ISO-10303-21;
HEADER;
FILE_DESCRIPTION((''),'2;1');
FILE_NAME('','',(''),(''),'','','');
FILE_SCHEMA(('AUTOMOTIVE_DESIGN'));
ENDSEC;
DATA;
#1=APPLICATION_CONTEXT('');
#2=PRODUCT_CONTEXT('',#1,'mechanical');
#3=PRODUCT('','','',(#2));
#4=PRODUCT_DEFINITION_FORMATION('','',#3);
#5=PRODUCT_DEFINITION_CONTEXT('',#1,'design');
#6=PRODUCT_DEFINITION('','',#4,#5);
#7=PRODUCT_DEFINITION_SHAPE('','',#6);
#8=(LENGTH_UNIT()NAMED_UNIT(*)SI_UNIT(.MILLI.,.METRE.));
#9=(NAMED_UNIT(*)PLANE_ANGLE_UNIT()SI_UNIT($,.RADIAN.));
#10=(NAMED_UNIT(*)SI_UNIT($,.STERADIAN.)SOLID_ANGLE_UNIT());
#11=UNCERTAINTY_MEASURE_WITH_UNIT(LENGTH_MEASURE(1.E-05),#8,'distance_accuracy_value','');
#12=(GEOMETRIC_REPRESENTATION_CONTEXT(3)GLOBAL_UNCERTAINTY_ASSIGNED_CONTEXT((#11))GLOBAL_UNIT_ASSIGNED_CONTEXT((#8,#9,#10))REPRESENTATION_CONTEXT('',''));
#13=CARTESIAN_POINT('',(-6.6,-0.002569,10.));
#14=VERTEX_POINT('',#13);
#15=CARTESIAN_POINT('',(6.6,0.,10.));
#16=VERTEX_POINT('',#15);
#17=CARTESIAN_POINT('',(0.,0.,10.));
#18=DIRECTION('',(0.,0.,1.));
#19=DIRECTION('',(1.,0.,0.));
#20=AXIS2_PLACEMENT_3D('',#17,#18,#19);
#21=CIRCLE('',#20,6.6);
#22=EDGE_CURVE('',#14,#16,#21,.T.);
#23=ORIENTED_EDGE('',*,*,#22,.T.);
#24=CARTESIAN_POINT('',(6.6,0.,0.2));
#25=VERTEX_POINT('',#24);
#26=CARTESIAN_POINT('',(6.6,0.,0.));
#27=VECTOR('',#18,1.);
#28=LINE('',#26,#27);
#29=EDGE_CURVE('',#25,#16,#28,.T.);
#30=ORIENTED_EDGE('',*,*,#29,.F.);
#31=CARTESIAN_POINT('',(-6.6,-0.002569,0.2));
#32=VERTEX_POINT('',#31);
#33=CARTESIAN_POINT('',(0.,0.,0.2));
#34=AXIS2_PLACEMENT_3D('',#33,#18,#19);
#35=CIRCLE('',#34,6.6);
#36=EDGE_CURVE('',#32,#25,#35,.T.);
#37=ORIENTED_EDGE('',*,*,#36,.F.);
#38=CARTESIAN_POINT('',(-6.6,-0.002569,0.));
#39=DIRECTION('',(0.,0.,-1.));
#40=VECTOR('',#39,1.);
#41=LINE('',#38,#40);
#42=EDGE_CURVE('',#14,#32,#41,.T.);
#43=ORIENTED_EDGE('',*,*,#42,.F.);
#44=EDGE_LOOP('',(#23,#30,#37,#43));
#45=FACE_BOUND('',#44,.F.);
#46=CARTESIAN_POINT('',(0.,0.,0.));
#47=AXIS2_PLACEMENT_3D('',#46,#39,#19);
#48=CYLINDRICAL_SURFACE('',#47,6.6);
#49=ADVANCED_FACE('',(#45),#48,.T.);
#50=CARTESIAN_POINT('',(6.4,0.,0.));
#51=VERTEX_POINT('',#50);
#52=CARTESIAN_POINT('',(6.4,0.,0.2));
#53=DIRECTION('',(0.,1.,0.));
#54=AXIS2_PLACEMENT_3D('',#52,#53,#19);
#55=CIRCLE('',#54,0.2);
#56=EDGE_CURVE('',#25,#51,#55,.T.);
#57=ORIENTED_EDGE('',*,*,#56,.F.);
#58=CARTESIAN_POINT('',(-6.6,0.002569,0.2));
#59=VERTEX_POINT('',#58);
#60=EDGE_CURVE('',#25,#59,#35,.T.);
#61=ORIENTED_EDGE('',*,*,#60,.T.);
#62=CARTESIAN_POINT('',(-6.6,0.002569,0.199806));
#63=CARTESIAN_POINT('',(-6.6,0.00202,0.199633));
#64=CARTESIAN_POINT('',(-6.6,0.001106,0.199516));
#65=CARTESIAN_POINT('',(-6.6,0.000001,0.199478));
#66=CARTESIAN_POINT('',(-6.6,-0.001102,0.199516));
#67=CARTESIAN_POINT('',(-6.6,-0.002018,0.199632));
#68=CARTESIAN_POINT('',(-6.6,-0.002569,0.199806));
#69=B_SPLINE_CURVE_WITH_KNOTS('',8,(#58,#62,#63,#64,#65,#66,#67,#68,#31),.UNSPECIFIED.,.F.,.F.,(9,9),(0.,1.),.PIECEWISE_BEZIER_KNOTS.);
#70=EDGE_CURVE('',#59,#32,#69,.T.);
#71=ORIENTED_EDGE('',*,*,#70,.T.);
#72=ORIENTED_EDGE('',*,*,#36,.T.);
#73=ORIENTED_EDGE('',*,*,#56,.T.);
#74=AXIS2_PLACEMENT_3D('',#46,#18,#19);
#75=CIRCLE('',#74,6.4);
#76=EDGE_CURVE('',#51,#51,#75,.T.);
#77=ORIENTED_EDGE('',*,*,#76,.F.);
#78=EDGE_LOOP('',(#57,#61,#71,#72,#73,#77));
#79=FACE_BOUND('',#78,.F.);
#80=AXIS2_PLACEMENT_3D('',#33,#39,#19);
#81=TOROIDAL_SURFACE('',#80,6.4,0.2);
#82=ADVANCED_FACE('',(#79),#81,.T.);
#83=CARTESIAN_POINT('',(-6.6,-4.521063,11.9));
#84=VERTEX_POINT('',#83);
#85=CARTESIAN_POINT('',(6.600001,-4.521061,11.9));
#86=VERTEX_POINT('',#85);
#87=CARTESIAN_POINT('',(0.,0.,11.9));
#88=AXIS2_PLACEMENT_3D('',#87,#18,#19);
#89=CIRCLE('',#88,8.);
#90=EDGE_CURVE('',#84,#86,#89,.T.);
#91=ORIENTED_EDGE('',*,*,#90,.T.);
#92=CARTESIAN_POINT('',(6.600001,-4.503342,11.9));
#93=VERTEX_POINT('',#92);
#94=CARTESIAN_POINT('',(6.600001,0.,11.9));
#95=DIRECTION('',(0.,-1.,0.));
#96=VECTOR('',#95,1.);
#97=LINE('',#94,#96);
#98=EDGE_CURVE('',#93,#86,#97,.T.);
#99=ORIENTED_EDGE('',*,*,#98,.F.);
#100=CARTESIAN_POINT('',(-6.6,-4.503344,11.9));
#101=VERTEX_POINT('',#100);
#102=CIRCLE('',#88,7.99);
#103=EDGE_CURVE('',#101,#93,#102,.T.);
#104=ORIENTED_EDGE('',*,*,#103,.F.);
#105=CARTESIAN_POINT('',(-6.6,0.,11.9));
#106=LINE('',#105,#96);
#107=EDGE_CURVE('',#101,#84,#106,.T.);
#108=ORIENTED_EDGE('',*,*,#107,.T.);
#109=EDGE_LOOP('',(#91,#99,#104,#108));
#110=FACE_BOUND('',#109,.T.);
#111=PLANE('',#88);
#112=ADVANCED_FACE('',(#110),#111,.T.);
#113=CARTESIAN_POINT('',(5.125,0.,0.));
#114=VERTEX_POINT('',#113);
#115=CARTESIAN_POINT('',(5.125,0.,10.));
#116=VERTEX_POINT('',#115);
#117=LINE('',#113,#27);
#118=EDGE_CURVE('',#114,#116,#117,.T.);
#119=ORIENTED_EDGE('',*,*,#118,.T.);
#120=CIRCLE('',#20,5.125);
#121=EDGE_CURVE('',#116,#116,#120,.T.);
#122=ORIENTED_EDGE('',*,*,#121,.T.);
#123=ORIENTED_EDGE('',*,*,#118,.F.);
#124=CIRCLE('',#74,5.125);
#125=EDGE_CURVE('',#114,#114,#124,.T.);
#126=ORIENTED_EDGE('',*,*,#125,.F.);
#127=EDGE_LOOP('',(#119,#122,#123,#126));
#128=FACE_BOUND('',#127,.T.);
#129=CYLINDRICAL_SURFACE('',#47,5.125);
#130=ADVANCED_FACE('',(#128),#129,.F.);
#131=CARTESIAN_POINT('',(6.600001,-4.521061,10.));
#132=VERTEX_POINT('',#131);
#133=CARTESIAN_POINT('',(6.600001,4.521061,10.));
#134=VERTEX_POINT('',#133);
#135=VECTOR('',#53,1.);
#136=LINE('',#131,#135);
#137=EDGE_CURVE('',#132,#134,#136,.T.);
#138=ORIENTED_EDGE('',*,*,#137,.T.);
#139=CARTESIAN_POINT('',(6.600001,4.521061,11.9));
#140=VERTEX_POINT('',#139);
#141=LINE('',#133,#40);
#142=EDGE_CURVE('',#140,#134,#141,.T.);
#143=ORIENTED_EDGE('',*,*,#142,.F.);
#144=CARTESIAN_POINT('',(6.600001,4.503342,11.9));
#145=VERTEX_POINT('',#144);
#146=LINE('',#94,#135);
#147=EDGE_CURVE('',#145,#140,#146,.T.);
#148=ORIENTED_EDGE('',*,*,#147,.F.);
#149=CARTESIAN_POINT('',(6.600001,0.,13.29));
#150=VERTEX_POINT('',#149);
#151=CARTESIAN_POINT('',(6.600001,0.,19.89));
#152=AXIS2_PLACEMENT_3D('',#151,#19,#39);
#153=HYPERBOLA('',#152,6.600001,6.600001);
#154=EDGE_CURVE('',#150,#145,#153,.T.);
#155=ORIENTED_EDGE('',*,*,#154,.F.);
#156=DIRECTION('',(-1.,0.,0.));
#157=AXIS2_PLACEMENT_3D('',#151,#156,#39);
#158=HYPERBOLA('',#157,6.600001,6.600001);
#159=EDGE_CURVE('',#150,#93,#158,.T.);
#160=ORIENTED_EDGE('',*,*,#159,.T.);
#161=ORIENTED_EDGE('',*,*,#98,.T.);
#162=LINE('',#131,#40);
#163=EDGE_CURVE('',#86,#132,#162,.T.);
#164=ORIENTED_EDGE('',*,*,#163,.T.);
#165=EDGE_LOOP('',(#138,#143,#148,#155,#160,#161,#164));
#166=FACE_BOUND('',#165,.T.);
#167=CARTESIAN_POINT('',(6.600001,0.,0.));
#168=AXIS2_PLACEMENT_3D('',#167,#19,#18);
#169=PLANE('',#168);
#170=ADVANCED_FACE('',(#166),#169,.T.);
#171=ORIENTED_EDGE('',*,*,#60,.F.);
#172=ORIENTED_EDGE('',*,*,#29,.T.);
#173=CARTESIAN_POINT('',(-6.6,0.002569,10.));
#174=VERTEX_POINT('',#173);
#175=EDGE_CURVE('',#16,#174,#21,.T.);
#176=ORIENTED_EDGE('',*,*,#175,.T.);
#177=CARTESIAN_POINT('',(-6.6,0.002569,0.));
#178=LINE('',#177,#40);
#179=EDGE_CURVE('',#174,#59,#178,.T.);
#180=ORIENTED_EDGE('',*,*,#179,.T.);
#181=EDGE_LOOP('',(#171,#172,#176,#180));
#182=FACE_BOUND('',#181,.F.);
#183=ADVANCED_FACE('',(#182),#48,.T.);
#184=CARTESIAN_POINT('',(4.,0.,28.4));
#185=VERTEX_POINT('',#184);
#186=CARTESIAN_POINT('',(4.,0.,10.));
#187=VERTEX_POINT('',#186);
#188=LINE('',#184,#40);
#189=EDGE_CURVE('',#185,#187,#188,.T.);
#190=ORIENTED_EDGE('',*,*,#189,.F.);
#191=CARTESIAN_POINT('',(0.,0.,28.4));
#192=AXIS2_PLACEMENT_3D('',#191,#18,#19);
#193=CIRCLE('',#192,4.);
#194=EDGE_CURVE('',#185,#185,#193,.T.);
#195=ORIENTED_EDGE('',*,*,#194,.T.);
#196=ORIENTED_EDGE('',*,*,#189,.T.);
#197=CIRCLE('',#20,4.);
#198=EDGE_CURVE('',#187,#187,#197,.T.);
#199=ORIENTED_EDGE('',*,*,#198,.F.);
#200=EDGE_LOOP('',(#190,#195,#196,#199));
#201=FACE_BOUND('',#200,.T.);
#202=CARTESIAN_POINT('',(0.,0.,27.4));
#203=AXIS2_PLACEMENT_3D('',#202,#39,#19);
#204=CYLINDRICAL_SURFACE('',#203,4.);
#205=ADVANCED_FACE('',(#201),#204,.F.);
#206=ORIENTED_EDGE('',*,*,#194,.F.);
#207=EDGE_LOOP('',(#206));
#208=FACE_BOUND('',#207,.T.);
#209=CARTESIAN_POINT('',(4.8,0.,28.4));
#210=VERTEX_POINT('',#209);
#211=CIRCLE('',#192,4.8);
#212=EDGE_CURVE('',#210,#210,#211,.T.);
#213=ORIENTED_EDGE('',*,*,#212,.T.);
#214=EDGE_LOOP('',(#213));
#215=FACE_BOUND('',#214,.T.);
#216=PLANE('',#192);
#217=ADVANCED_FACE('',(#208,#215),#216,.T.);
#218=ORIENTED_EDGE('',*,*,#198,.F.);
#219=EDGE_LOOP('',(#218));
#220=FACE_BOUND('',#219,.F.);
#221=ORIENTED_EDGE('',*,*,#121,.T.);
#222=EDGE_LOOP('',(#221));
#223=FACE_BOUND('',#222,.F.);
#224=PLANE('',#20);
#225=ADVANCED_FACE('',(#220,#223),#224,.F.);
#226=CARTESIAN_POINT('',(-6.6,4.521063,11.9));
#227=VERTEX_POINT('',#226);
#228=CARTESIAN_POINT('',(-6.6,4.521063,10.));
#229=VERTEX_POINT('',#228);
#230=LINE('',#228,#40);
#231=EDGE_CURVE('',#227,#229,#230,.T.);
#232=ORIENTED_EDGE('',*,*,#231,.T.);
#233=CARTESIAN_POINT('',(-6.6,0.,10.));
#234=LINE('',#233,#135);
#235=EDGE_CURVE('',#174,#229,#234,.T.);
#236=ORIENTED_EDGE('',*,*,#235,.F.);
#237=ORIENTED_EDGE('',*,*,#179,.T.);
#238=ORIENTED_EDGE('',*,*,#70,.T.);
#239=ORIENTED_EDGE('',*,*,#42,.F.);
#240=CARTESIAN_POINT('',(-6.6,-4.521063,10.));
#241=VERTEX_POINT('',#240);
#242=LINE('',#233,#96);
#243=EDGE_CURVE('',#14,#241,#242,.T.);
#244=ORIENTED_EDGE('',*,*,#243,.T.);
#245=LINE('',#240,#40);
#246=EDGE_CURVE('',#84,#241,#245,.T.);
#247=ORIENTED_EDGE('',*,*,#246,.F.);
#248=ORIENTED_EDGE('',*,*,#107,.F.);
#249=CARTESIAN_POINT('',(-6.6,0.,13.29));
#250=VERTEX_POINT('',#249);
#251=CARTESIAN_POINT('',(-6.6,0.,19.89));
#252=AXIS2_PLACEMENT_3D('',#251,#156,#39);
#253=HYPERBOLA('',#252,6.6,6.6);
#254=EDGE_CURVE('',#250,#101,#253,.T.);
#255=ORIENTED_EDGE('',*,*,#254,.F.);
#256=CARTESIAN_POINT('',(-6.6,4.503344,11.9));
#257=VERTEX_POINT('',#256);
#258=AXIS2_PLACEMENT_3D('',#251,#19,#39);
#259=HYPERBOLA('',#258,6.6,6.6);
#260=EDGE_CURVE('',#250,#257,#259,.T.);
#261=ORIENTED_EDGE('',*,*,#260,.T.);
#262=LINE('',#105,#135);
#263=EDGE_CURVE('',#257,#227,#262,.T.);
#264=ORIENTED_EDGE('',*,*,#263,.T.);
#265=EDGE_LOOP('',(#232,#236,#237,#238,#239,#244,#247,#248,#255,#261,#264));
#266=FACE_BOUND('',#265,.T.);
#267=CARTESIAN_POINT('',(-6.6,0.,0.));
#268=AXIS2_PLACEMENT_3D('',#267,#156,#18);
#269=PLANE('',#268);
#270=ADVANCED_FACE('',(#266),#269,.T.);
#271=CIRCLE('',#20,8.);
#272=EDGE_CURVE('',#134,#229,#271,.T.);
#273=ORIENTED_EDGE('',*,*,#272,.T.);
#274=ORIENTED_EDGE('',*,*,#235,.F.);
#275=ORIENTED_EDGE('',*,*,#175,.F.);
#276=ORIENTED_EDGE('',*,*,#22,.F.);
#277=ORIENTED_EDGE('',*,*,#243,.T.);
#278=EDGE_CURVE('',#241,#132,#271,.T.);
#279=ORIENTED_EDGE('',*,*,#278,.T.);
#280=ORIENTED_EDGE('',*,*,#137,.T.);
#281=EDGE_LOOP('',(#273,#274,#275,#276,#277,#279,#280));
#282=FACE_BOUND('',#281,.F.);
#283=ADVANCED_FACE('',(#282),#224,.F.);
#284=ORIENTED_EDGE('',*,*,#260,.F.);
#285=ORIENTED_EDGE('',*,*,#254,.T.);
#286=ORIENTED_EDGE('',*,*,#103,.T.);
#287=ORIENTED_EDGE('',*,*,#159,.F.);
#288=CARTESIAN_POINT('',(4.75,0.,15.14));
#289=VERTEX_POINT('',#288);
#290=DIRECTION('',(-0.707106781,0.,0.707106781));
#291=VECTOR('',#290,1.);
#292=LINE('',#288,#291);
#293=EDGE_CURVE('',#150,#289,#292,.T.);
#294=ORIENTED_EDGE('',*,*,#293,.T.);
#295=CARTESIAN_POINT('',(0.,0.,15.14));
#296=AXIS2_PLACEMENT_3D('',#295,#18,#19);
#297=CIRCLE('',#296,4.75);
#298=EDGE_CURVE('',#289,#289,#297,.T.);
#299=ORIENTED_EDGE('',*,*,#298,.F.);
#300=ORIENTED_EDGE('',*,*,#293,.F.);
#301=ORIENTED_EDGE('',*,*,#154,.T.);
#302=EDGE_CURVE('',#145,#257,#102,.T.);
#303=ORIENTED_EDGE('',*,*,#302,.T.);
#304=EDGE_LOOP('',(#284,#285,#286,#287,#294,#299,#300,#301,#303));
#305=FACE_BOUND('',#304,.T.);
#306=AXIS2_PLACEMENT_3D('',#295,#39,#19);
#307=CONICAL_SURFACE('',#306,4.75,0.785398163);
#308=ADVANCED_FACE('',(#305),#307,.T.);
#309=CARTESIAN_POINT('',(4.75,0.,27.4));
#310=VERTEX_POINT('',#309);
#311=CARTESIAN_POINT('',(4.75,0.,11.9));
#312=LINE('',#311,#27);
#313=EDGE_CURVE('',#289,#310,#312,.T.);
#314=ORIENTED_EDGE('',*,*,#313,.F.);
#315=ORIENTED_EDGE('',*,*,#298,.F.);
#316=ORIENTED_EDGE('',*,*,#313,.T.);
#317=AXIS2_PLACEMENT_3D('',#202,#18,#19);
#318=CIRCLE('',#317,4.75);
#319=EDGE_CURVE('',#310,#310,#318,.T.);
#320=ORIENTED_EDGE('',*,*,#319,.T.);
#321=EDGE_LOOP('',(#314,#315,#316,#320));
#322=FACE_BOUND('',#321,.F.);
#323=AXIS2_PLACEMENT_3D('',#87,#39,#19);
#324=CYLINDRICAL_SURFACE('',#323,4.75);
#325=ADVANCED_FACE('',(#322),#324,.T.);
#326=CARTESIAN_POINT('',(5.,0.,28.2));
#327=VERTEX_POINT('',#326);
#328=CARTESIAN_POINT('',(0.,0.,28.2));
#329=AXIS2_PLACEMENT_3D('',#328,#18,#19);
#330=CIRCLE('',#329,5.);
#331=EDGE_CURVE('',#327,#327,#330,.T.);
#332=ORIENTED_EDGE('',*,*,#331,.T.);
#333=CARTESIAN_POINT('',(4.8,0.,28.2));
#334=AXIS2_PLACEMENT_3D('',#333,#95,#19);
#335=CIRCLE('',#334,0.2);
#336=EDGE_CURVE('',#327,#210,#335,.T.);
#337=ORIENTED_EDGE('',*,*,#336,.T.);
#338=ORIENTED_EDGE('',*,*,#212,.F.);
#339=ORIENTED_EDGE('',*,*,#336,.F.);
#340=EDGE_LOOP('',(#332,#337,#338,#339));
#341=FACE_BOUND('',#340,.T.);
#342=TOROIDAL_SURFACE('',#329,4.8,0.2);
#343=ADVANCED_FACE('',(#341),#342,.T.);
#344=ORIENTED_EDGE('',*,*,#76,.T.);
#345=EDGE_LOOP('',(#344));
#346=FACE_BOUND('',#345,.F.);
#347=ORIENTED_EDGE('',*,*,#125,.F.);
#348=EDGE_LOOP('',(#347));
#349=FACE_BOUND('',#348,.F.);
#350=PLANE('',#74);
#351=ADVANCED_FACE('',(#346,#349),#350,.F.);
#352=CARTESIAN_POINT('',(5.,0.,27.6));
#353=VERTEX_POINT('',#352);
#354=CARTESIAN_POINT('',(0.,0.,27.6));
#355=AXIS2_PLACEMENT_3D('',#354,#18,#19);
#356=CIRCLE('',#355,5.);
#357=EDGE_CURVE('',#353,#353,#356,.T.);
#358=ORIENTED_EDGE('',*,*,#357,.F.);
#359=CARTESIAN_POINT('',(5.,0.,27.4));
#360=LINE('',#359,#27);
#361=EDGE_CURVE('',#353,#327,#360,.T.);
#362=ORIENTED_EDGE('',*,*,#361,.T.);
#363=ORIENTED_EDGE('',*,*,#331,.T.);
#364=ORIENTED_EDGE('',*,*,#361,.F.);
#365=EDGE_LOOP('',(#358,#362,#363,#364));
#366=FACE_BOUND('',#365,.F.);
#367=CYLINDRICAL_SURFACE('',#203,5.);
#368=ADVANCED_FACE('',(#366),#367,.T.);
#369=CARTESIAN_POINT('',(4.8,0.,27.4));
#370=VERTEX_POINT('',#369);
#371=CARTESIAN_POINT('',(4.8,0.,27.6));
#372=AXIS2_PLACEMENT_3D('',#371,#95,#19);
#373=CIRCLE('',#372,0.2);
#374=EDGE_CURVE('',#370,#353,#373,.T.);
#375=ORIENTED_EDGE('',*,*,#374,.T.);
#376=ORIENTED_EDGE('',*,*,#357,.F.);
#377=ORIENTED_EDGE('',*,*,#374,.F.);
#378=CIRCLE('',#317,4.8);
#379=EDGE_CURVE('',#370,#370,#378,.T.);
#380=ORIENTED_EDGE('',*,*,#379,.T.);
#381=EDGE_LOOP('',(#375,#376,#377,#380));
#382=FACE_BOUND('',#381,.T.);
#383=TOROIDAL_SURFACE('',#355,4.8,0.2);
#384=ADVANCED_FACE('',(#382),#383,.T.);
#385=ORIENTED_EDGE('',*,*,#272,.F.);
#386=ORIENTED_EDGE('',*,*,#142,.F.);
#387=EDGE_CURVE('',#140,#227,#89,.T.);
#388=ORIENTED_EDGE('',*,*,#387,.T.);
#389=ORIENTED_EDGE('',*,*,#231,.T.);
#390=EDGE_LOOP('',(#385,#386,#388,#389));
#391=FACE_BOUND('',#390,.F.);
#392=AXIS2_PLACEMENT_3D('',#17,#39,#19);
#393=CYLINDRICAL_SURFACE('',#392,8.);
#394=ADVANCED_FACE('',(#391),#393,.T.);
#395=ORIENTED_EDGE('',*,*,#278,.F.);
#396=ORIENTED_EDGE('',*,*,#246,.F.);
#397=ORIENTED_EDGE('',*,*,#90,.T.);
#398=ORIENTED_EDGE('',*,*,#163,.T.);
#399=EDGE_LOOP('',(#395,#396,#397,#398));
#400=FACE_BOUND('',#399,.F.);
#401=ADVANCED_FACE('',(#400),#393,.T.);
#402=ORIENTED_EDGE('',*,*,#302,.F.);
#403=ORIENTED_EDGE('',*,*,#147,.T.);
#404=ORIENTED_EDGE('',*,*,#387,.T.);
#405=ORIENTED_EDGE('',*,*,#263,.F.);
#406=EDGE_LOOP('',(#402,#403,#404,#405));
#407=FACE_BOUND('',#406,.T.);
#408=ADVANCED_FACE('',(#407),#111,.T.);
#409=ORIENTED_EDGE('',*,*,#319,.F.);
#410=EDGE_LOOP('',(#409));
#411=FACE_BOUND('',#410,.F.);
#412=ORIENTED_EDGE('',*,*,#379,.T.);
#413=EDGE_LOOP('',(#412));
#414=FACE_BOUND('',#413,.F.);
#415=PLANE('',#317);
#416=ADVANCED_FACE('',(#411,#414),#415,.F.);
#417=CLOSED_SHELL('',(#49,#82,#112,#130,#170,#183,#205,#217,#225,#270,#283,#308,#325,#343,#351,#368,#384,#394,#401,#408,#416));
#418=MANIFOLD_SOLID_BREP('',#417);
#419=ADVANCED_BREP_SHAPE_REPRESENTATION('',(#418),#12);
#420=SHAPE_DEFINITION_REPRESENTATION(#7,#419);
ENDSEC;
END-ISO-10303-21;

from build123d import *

# Parameters (mm, degrees)
SKETCH061_R          = 6.6
SKETCH061_R_2        = 5.125
PAD009_DEPTH         = 10
SKETCH062_R          = 8
SKETCH062_R_2        = 4
PAD010_DEPTH         = 1.9
SKETCH063_R          = 4.75
SKETCH063_R_2        = 4
PAD011_DEPTH         = 15.5
SKETCH064_R          = 5
SKETCH064_R_2        = 4
PAD012_DEPTH         = 1
CHAMFER_SIZE         = 3.24
FILLET002_R          = 0.2
SKETCH065_W          = 11.246889
SKETCH065_H          = 18.579264
SKETCH065_W_2        = 10.317355
SKETCH065_H_2        = 19.434534
POCKET012_DEPTH      = 100
POCKET012_DEPTH_BACK = 100


with BuildPart() as part:
    # Sketch061 → Pad009 (new body)
    with BuildSketch(Plane.XY):
        Circle(SKETCH061_R)
        Circle(SKETCH061_R_2, mode=Mode.SUBTRACT)
    extrude(amount=PAD009_DEPTH)

    # Sketch062 (on Face4 of Pad009) → Pad010 (join)
    with BuildSketch(Plane.XY.offset(10)):
        Circle(SKETCH062_R)
        Circle(SKETCH062_R_2, mode=Mode.SUBTRACT)
    extrude(amount=PAD010_DEPTH)

    # Sketch063 (on Face7 of Pad010) → Pad011 (join)
    with BuildSketch(Plane.XY.offset(11.9)):
        Circle(SKETCH063_R)
        Circle(SKETCH063_R_2, mode=Mode.SUBTRACT)
    extrude(amount=PAD011_DEPTH)

    # Sketch064 (on Face11 of Pad011) → Pad012 (join)
    with BuildSketch(Plane.XY.offset(27.4)):
        Circle(SKETCH064_R)
        Circle(SKETCH064_R_2, mode=Mode.SUBTRACT)
    extrude(amount=PAD012_DEPTH)

    # Chamfer
    chamfer_edges = [part.edges().sort_by_distance(p)[0] for p in [
        (-4.75, 0, 11.9),
    ]]
    chamfer(chamfer_edges, length=CHAMFER_SIZE)

    # Fillet002
    fillet002_edges = [part.edges().sort_by_distance(p)[0] for p in [
        (-5, 0, 28.4),
        (-5, 0, 27.4),
        (-6.6, 0, 0),
    ]]
    fillet(fillet002_edges, radius=FILLET002_R)

    # Sketch065 → Pocket012 (cut, two sides)
    with BuildSketch(Plane.XZ) as pocket012_sk:
        with Locations((-12.223444, 9.289632)):
            Rectangle(SKETCH065_W, SKETCH065_H)
        with Locations((11.758678, 9.717267)):
            Rectangle(SKETCH065_W_2, SKETCH065_H_2)
    extrude(amount=-POCKET012_DEPTH, mode=Mode.SUBTRACT)
    extrude(pocket012_sk.sketch, amount=POCKET012_DEPTH_BACK, mode=Mode.SUBTRACT)


solid = part.part
